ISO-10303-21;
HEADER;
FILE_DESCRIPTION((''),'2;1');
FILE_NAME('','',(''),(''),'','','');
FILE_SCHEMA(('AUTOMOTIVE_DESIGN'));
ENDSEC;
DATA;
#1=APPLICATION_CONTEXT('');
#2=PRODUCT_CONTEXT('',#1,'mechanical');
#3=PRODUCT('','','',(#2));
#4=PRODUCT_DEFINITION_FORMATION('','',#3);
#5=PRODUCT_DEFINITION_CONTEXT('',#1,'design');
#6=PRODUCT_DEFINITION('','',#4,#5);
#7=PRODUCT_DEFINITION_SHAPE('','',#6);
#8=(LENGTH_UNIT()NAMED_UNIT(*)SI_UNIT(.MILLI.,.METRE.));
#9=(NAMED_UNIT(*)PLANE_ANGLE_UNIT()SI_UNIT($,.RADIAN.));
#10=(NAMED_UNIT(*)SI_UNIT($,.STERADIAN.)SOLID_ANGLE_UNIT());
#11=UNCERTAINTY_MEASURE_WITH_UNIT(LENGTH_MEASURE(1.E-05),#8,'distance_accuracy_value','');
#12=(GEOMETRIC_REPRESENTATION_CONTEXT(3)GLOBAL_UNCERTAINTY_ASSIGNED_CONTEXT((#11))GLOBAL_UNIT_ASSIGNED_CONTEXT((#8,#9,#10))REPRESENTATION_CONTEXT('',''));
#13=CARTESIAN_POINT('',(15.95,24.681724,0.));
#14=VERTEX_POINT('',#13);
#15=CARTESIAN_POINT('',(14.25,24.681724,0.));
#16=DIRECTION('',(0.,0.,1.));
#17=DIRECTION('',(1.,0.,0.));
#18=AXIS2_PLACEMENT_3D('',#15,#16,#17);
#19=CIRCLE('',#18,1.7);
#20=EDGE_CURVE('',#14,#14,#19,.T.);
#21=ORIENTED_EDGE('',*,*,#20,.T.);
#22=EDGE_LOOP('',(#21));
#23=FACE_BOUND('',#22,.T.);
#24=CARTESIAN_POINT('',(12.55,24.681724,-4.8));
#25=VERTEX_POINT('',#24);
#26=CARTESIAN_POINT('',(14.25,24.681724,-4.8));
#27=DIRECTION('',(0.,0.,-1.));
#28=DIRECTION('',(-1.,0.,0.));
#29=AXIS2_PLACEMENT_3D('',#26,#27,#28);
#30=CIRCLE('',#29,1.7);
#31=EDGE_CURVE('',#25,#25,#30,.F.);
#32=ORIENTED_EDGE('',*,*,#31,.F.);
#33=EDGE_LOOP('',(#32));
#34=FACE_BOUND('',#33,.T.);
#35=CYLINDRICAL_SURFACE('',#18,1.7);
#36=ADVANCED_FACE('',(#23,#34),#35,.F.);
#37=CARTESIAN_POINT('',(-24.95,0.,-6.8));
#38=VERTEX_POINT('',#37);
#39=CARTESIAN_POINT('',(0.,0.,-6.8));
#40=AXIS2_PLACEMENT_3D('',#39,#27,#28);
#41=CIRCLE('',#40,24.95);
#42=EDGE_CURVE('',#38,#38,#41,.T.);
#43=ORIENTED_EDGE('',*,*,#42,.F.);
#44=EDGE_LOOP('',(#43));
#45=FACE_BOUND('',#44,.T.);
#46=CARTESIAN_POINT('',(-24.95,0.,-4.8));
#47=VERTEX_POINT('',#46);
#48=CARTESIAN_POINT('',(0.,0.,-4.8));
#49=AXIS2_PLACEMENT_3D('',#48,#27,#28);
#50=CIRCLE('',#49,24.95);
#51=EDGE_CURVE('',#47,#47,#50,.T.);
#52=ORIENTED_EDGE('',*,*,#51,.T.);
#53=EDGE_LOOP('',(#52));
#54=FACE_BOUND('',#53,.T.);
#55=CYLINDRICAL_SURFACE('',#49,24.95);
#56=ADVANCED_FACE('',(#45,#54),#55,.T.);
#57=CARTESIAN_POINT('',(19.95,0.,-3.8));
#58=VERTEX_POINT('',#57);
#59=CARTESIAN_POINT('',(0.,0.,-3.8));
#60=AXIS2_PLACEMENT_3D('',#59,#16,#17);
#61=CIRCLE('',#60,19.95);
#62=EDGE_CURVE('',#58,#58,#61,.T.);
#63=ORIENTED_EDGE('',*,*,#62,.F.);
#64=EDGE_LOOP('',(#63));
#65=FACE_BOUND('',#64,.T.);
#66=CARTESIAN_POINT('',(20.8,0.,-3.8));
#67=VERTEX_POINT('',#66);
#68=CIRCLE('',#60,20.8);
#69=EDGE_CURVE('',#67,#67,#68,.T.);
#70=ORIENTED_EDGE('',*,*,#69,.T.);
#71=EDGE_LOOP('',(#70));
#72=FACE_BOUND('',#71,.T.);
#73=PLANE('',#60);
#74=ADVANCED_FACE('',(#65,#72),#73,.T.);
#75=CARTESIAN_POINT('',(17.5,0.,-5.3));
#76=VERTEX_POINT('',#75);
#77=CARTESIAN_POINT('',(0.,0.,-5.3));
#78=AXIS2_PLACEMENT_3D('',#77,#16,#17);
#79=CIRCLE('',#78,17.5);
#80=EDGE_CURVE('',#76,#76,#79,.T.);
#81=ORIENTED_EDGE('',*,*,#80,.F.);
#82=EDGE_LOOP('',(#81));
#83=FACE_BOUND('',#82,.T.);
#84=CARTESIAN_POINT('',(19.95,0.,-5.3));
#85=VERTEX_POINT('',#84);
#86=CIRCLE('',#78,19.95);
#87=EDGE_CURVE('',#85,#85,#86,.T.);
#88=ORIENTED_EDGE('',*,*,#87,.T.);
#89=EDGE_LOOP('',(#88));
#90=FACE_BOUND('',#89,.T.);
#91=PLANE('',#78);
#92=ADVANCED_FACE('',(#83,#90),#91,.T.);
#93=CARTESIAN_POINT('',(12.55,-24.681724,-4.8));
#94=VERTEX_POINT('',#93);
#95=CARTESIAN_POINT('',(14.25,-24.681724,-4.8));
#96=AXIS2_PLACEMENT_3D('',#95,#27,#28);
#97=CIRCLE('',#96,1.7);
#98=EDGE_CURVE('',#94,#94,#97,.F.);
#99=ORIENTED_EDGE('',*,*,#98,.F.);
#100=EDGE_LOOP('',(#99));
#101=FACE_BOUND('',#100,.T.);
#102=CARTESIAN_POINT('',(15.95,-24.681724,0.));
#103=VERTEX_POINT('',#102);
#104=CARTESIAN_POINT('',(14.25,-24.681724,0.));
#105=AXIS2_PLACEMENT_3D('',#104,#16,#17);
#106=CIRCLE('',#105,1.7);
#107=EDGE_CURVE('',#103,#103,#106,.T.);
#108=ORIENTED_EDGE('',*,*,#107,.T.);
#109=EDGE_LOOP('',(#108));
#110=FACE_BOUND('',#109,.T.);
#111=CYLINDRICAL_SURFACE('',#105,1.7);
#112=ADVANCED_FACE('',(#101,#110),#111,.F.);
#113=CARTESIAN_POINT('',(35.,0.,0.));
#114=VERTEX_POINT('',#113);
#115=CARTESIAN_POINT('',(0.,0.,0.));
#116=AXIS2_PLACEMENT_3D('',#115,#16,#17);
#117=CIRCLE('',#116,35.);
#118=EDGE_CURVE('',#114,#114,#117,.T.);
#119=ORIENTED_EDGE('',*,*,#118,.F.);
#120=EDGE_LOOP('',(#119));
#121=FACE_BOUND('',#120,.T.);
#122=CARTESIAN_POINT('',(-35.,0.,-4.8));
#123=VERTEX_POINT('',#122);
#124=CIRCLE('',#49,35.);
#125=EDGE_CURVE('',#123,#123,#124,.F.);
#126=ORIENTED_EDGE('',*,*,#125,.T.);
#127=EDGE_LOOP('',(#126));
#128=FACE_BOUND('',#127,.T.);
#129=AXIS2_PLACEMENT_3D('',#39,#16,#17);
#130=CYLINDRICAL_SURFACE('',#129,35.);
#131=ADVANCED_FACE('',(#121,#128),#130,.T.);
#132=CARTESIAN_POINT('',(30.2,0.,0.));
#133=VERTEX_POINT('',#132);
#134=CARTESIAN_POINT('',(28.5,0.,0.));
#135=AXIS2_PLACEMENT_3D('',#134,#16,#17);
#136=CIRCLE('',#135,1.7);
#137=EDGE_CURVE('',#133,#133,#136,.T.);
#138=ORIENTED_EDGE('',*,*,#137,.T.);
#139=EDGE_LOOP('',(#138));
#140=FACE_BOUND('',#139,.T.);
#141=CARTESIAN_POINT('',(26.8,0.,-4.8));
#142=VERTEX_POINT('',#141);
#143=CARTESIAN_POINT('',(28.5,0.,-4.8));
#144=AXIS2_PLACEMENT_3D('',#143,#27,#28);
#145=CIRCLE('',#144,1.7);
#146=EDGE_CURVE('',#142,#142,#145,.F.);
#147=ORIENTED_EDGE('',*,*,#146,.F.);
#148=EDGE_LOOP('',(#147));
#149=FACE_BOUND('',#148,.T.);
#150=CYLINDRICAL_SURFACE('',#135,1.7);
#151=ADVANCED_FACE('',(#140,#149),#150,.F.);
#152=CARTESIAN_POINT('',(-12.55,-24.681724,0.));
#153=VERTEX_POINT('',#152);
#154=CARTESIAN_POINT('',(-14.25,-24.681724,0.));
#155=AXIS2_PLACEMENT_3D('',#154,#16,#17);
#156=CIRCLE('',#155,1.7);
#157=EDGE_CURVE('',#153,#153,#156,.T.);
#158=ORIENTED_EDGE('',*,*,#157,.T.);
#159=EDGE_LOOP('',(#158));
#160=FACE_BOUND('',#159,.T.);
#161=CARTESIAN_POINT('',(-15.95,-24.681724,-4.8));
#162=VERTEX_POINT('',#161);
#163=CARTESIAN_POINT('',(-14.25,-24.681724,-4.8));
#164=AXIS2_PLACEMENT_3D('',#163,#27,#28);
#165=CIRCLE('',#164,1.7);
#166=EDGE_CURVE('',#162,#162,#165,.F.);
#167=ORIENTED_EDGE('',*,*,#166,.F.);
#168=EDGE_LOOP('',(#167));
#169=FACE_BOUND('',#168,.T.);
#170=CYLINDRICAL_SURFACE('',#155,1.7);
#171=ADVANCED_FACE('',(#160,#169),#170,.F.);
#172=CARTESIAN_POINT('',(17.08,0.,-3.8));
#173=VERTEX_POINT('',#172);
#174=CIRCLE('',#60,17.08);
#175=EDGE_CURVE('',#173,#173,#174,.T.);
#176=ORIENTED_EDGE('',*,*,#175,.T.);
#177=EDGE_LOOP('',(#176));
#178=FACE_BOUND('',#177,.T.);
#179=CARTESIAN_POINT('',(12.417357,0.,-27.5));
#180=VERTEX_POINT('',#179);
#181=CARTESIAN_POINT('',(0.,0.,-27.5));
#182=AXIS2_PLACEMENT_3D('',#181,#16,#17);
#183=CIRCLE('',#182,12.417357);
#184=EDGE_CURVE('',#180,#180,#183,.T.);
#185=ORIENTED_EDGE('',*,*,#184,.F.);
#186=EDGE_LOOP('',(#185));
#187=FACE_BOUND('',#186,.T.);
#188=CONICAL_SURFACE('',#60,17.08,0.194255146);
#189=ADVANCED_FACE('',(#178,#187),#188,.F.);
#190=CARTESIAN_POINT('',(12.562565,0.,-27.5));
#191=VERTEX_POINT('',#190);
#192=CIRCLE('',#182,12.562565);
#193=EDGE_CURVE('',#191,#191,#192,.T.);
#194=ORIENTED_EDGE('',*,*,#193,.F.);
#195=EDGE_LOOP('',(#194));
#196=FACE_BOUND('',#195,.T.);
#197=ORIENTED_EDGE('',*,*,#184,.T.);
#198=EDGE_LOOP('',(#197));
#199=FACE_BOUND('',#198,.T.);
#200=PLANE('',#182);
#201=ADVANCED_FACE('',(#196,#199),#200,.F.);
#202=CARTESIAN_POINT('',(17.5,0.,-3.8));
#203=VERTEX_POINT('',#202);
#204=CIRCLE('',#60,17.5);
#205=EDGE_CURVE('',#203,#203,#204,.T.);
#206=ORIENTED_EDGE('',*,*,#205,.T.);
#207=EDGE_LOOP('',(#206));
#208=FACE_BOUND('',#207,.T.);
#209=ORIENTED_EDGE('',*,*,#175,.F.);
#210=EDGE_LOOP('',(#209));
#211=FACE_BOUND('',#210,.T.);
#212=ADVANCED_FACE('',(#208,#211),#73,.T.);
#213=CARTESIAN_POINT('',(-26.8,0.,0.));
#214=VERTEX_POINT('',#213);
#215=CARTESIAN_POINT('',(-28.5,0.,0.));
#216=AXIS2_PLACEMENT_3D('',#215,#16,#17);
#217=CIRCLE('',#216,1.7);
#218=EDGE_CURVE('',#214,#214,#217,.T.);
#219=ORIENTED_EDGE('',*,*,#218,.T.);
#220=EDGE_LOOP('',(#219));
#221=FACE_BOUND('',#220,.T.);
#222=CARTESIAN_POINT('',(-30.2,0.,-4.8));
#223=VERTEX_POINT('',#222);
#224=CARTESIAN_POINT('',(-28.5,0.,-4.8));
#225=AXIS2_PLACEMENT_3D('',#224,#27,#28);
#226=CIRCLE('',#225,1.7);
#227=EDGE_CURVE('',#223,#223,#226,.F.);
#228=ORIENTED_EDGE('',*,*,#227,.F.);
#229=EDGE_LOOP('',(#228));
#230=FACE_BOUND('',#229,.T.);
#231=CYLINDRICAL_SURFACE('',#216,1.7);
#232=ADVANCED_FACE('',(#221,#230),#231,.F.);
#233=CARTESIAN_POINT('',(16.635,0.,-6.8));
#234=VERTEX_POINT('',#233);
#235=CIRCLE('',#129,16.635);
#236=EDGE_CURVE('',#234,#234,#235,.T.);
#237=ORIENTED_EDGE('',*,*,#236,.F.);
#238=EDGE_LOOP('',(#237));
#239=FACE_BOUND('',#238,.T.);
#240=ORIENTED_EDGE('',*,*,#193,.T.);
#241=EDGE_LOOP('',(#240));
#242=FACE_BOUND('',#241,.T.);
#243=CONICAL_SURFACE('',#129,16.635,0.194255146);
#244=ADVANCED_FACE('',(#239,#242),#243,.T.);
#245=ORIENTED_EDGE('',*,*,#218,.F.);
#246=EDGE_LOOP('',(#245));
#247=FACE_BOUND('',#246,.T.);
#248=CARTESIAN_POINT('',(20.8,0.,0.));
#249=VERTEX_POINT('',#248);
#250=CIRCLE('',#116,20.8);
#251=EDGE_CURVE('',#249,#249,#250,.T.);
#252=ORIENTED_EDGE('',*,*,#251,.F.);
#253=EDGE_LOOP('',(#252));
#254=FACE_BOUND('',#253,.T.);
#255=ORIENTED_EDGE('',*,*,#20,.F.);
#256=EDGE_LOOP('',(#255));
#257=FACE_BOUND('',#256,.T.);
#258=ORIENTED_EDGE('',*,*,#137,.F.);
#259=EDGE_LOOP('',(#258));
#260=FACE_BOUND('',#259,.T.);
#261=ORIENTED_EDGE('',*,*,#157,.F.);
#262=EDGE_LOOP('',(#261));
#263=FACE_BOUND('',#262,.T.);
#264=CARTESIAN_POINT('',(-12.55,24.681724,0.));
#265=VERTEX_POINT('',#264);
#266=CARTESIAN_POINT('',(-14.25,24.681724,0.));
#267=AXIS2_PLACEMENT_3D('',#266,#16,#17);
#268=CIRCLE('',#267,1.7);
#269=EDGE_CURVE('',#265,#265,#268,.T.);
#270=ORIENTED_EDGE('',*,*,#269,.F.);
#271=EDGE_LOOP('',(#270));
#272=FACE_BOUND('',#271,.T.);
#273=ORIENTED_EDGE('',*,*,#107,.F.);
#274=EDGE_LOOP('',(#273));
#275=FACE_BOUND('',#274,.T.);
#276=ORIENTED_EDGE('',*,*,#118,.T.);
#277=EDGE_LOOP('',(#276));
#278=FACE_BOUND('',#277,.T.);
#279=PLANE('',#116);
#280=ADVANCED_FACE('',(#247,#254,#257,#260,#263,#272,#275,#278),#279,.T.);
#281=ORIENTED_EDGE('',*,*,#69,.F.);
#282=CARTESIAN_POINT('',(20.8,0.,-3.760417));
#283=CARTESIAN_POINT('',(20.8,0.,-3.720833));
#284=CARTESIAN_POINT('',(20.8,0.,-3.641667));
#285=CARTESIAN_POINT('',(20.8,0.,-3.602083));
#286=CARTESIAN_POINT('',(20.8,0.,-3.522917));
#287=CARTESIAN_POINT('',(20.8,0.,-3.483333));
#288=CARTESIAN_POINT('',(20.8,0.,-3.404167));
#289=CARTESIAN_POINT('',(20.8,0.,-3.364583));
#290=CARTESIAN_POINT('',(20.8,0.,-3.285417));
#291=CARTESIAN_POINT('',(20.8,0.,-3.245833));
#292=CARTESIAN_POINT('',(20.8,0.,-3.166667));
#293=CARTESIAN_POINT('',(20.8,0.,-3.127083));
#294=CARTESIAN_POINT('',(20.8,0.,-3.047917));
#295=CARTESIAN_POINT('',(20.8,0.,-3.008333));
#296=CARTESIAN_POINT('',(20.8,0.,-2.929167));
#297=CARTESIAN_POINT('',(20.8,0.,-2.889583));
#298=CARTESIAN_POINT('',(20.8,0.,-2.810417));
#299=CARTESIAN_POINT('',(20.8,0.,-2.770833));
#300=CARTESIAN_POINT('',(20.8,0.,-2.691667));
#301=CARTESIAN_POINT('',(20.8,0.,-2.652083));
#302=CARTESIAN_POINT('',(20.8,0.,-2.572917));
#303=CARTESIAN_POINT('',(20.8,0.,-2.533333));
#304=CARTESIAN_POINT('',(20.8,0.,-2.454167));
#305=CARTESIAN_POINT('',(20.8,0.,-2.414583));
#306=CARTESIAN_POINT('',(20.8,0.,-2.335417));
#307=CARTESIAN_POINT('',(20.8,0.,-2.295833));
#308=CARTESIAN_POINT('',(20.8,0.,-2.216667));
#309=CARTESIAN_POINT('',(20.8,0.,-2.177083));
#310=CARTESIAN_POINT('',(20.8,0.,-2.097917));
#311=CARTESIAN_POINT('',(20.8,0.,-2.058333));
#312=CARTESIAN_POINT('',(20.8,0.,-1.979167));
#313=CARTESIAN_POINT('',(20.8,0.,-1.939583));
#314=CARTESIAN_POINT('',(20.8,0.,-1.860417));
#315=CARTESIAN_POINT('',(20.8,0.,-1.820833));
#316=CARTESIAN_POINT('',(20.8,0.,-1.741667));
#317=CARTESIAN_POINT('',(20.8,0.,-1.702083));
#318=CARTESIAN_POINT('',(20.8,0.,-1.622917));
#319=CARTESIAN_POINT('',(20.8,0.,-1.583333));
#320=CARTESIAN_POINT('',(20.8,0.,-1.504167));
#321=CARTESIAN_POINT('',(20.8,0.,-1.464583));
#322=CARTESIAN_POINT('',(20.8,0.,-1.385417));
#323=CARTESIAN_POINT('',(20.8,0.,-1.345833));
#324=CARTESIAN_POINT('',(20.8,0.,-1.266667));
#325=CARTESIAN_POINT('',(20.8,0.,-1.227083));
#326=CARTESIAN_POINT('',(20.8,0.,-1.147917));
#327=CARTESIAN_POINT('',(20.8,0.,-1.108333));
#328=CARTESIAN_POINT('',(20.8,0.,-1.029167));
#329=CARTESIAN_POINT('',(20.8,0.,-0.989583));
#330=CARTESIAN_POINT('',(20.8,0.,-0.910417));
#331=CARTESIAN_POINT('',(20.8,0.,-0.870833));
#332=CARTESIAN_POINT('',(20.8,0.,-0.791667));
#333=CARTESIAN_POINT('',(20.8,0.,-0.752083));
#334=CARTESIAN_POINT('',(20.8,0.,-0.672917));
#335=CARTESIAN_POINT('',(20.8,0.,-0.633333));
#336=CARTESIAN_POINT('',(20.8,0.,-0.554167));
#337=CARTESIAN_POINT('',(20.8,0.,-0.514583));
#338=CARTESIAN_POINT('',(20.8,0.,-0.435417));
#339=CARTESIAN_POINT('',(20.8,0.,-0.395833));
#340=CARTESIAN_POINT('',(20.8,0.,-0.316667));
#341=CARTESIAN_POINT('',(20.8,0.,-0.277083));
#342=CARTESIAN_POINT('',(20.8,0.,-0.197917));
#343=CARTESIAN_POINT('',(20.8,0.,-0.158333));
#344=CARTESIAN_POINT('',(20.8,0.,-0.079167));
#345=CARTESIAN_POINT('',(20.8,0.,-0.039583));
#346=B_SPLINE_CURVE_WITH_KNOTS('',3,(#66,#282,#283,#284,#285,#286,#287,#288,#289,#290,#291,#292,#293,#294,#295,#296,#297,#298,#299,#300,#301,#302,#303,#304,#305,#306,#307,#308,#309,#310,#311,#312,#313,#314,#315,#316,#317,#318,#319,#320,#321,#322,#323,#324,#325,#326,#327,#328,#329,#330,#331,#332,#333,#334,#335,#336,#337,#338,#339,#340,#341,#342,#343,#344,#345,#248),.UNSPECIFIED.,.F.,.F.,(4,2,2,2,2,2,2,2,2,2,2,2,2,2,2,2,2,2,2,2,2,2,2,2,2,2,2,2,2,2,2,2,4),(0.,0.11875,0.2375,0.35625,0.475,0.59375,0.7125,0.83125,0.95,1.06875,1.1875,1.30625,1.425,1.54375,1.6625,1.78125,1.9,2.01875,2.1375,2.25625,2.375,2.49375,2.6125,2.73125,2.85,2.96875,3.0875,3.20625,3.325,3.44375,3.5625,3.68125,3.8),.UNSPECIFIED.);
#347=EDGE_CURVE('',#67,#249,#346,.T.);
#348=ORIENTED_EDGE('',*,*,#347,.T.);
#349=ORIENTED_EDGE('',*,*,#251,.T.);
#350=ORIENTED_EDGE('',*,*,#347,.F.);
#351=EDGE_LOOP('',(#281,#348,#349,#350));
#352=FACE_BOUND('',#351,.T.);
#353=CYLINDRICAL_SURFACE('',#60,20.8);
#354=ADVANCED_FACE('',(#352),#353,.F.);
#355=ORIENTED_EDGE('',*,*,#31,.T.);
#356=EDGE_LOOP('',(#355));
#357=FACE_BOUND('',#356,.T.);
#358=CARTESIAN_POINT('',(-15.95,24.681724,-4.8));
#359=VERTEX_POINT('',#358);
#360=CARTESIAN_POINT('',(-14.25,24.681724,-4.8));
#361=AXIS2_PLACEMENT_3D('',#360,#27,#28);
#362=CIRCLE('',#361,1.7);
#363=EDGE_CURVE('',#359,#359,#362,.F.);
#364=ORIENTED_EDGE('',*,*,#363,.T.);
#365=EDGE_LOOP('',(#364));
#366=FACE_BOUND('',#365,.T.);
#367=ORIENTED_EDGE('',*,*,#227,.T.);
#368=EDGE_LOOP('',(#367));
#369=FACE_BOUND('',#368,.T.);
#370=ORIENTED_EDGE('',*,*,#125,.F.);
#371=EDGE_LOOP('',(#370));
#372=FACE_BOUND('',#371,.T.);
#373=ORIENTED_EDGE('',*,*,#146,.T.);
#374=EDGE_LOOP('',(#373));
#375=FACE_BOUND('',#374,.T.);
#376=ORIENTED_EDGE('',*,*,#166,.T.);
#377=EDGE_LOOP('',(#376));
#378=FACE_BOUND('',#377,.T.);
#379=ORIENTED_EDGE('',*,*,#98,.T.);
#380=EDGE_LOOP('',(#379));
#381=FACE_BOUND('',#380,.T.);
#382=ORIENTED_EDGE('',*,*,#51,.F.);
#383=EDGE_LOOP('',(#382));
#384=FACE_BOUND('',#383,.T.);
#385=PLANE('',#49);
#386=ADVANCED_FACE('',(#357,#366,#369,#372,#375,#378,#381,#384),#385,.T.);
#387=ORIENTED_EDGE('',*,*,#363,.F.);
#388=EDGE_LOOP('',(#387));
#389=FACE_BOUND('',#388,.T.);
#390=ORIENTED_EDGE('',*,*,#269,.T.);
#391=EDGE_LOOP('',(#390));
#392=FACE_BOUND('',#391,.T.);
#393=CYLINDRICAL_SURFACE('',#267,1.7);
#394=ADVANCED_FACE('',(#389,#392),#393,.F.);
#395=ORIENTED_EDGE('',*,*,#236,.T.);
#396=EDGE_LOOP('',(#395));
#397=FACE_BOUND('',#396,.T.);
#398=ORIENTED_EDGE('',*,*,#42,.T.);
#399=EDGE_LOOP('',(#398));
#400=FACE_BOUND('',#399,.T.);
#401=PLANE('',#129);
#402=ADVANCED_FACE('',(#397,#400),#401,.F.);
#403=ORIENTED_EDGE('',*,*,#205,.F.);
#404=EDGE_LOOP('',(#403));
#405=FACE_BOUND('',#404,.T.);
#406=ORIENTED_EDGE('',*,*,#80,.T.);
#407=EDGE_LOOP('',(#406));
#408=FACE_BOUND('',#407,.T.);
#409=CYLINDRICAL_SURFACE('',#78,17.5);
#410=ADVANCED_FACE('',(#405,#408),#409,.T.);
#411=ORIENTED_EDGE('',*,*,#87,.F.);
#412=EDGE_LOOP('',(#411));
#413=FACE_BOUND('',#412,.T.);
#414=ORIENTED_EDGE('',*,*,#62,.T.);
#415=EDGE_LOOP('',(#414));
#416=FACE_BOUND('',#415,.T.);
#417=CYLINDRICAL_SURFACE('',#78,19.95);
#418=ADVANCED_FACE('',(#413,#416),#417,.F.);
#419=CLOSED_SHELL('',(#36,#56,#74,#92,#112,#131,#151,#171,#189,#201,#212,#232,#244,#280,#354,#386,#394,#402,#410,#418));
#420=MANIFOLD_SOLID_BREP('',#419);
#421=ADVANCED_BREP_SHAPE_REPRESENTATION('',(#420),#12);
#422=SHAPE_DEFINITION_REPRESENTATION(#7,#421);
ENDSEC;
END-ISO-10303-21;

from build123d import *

# Parameters (mm, degrees)
SKETCH1_R            = 35
BOSS_EXTRUDE1_DEPTH  = 6.8
M3_CLEARANCE_HOLE1_D = 3.4
CIRPATTERN1_COUNT    = 6
SKETCH5_R            = 20.8
CUT_EXTRUDE1_DEPTH   = 3.8
SKETCH6_R            = 19.95
SKETCH6_R_2          = 17.5
CUT_EXTRUDE2_DEPTH   = 1.5
SKETCH7_R            = 42.836472813
SKETCH7_R_2          = 24.95
CUT_EXTRUDE3_DEPTH   = 2
SKETCH11_R           = 16.635
BOSS_EXTRUDE5_DEPTH  = 20.7
BOSS_EXTRUDE5_DRAFT  = -11.13
SKETCH12_R           = 17.08
CUT_EXTRUDE5_DEPTH   = 28
CUT_EXTRUDE5_DRAFT   = -11.13


with BuildPart() as part:
    # Sketch1 → Boss-Extrude1 (new body)
    with BuildSketch(Plane.XY):
        Circle(SKETCH1_R)
    extrude(amount=-BOSS_EXTRUDE1_DEPTH)

    # M3 Clearance Hole1 (through all)
    with Locations(Plane.XY):
        with Locations((-28.5, 0)):
            m3_clearance_hole1 = Hole(M3_CLEARANCE_HOLE1_D / 2)

    # CirPattern1: M3 Clearance Hole1 ×6 about axis
    cirpattern1_axis = Axis((0, 0, 0), (0, 0, 1))
    for i in range(1, CIRPATTERN1_COUNT):
        add(m3_clearance_hole1.rotate(cirpattern1_axis, i * 360 / CIRPATTERN1_COUNT), mode=Mode.SUBTRACT)

    # Sketch5 → Cut-Extrude1 (cut)
    with BuildSketch(Plane.XY):
        Circle(SKETCH5_R)
    extrude(amount=-CUT_EXTRUDE1_DEPTH, mode=Mode.SUBTRACT)

    # Sketch6 → Cut-Extrude2 (cut)
    with BuildSketch(Plane.XY.offset(-3.8)):
        Circle(SKETCH6_R)
        Circle(SKETCH6_R_2, mode=Mode.SUBTRACT)
    extrude(amount=-CUT_EXTRUDE2_DEPTH, mode=Mode.SUBTRACT)

    # Sketch7 → Cut-Extrude3 (cut)
    with BuildSketch(Plane(origin=(0, 0, -6.8), x_dir=(-1, 0, 0), z_dir=(0, 0, -1))):
        Circle(SKETCH7_R)
        Circle(SKETCH7_R_2, mode=Mode.SUBTRACT)
    extrude(amount=-CUT_EXTRUDE3_DEPTH, mode=Mode.SUBTRACT)


with BuildPart() as boss_extrude5_tool:
    # Sketch11 → Boss-Extrude5 (with draft: the straight prism first)
    with BuildSketch(Plane.XY.offset(-6.8)):
        Circle(SKETCH11_R)
    extrude(amount=-BOSS_EXTRUDE5_DEPTH)
    # Boss-Extrude5: the draft: its side faces are tilted about the plane it starts from
    boss_extrude5_sides = [boss_extrude5_tool.faces().sort_by_distance(p)[0] for p in [
        (-16.635, 0, -17.15),
    ]]
    draft(boss_extrude5_sides, Plane.XY.offset(-6.8), BOSS_EXTRUDE5_DRAFT)


with BuildPart() as part_1:
    add(part.part)

    # Boss-Extrude5: add boss_extrude5_tool
    add(boss_extrude5_tool.part)


with BuildPart() as cut_extrude5_tool:
    # Sketch12 → Cut-Extrude5 (with draft: the straight prism first)
    with BuildSketch(Plane.XY.offset(-3.8)):
        Circle(SKETCH12_R)
    extrude(amount=-CUT_EXTRUDE5_DEPTH)
    # Cut-Extrude5: the draft: its side faces are tilted about the plane it starts from
    cut_extrude5_sides = [cut_extrude5_tool.faces().sort_by_distance(p)[0] for p in [
        (-17.08, 0, -17.8),
    ]]
    draft(cut_extrude5_sides, Plane.XY.offset(-3.8), CUT_EXTRUDE5_DRAFT)


with BuildPart() as part_2:
    add(part_1.part)

    # Cut-Extrude5: cut by cut_extrude5_tool
    add(cut_extrude5_tool.part, mode=Mode.SUBTRACT)


solid = part_2.part
